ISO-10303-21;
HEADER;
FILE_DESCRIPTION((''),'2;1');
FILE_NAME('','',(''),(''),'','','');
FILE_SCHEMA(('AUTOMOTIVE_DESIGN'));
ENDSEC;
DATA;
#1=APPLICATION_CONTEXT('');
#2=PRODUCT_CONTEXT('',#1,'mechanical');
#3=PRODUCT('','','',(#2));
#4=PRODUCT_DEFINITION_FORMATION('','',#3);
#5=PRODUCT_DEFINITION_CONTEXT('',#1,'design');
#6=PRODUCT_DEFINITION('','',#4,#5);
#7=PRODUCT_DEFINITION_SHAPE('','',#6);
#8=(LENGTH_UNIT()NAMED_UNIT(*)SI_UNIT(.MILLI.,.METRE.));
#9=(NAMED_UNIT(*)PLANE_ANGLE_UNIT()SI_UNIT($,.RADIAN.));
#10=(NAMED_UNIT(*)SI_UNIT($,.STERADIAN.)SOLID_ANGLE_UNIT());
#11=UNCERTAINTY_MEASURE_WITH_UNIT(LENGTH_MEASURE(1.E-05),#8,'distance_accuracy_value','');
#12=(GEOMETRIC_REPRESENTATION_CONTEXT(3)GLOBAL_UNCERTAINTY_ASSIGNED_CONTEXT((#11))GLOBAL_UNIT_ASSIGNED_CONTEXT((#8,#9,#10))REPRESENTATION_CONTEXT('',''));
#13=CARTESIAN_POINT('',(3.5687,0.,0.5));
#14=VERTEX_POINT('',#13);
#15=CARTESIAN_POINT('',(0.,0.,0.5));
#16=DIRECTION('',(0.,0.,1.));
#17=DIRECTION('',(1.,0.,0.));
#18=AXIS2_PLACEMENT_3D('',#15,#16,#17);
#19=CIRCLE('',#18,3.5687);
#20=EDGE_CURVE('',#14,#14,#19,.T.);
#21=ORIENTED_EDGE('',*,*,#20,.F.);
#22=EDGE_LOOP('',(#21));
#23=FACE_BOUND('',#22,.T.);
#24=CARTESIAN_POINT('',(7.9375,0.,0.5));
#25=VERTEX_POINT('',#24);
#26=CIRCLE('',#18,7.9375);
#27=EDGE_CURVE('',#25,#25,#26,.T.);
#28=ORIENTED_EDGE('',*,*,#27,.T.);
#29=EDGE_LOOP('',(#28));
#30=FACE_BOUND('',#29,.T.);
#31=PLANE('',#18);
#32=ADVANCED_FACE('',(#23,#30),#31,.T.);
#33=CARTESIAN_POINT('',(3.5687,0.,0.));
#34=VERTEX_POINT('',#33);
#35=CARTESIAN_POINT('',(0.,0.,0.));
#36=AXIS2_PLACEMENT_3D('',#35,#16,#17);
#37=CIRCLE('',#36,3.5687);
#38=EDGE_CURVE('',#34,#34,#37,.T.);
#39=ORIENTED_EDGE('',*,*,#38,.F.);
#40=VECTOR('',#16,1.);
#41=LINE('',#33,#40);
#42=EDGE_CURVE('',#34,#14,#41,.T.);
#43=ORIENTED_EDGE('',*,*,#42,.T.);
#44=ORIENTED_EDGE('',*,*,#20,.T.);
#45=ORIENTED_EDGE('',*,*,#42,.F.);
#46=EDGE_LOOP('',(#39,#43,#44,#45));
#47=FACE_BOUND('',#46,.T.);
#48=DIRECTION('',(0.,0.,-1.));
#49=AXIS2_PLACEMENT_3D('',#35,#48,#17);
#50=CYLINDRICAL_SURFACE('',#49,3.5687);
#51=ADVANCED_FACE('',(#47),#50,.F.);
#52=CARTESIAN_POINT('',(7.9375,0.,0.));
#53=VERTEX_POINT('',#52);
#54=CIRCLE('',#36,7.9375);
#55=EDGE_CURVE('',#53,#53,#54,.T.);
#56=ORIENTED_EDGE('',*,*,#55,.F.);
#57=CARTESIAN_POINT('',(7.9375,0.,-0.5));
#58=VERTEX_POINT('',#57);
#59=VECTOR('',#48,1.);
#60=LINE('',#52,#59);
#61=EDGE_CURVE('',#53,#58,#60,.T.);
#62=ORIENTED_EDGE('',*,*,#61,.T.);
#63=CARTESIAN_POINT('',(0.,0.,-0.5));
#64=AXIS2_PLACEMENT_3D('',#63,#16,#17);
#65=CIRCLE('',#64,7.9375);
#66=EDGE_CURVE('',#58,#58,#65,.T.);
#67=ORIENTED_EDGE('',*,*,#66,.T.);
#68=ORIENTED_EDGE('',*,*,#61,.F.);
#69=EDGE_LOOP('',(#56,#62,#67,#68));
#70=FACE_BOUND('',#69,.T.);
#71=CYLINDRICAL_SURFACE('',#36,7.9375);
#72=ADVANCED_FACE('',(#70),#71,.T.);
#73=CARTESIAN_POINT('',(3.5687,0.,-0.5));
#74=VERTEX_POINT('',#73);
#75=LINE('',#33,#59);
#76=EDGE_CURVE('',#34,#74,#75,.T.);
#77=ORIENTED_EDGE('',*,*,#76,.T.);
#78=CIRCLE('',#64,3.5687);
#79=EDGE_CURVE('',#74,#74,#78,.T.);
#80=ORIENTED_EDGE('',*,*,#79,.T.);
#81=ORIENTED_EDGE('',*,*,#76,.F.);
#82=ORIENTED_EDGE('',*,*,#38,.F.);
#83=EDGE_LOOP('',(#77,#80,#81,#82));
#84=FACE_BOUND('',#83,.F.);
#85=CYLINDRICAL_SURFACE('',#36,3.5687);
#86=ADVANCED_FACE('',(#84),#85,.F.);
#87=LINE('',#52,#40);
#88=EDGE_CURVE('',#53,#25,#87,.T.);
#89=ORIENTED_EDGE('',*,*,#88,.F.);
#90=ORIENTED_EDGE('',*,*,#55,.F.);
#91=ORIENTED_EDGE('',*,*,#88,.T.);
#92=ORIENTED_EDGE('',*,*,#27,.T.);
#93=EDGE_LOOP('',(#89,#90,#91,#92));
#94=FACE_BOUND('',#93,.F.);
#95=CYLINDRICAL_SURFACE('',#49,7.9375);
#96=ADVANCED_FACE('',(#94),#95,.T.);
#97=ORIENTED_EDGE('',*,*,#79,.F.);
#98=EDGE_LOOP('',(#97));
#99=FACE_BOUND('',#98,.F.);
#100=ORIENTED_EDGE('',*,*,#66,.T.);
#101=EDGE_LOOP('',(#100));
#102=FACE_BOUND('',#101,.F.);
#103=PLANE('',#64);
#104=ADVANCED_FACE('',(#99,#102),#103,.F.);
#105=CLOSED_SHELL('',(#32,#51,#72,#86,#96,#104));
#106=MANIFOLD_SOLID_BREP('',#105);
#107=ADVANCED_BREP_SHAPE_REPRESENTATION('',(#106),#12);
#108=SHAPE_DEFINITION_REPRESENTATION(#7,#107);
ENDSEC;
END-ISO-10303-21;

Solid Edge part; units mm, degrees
sketch "Sketch1" plane through (0, 0, 0) normal (0, 0, 1) x (1, 0, 0)
  circle A0 centre (0, 0) radius 7.9375
  circle A1 centre (0, 0) radius 3.5687
  dimension "D1" = 15.875
  dimension "D2" = 7.1374
extrude "Protrusion1" add sketch "Sketch1" along normal mid plane 1
properties part number "BumbleB0263"
